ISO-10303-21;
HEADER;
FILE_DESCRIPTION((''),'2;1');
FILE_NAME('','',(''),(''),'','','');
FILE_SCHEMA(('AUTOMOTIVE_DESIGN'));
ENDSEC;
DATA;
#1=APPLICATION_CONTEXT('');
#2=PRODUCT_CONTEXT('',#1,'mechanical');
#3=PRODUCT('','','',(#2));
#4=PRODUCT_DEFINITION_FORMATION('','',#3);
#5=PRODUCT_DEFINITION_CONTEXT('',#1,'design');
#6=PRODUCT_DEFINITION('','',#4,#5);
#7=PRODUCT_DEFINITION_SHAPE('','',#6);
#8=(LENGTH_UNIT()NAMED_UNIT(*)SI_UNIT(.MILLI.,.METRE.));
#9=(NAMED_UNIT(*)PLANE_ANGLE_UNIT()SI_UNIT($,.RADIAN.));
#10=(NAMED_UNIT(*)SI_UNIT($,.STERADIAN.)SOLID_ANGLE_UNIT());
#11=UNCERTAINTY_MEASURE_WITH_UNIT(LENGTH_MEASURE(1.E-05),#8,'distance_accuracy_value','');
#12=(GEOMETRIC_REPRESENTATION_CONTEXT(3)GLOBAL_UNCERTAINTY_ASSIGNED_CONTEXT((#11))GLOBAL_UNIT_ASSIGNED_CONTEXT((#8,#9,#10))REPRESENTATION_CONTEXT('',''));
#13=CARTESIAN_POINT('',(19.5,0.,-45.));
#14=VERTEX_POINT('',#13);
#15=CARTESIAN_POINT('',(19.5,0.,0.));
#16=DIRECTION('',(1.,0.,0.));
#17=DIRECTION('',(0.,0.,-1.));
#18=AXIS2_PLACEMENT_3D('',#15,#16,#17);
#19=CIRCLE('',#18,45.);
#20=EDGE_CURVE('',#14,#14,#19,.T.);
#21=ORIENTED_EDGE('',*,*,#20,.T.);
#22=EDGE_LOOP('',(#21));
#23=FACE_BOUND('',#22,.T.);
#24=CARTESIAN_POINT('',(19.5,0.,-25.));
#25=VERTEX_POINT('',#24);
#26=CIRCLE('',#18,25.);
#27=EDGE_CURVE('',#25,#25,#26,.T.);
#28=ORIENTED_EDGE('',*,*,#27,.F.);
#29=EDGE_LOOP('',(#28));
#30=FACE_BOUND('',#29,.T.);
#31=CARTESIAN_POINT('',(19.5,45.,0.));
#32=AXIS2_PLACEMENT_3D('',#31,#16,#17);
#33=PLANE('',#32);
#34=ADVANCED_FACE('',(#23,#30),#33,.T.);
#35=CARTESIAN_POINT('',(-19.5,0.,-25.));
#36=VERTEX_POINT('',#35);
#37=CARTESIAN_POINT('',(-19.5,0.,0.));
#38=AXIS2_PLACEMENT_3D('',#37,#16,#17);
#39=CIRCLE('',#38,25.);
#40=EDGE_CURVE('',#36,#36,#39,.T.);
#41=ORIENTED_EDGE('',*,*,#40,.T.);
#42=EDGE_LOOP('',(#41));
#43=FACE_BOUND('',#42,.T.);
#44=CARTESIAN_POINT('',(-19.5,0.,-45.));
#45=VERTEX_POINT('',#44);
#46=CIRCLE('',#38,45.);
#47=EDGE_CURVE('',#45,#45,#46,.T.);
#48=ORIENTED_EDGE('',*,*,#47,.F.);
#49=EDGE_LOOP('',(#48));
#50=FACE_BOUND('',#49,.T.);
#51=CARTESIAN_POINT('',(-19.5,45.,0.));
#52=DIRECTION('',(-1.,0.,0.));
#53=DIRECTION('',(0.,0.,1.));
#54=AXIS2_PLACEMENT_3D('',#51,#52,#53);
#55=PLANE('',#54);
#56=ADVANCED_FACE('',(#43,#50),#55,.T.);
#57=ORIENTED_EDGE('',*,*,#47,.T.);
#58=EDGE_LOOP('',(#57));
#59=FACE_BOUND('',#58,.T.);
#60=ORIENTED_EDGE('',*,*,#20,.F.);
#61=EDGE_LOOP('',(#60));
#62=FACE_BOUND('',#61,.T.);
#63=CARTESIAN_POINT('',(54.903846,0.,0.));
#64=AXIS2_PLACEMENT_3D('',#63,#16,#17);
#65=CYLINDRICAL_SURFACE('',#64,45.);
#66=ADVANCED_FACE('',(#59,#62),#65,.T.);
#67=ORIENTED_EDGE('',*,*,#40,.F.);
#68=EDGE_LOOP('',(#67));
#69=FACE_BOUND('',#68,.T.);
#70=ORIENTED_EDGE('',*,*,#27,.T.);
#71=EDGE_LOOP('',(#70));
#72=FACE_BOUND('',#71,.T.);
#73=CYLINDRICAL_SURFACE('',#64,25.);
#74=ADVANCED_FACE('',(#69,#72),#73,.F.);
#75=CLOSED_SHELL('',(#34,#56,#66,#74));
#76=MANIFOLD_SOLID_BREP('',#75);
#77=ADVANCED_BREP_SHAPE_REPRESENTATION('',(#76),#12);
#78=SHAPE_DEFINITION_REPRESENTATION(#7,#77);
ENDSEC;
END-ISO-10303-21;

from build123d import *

# Parameters (mm, degrees)
SKETCH1_W = 39
SKETCH1_H = 20


with BuildPart() as part:
    # Sketch1 → Revolve1 (revolve)
    with BuildSketch(Plane.XY, mode=Mode.PRIVATE) as revolve1_sk:
        with Locations((0, 35)):
            Rectangle(SKETCH1_W, SKETCH1_H)
    revolve(revolve1_sk.sketch.rotate(Axis((54.903846154, 0, 0), (-1, 0, 0)), 90), axis=Axis((54.903846154, 0, 0), (-1, 0, 0)))


solid = part.part
